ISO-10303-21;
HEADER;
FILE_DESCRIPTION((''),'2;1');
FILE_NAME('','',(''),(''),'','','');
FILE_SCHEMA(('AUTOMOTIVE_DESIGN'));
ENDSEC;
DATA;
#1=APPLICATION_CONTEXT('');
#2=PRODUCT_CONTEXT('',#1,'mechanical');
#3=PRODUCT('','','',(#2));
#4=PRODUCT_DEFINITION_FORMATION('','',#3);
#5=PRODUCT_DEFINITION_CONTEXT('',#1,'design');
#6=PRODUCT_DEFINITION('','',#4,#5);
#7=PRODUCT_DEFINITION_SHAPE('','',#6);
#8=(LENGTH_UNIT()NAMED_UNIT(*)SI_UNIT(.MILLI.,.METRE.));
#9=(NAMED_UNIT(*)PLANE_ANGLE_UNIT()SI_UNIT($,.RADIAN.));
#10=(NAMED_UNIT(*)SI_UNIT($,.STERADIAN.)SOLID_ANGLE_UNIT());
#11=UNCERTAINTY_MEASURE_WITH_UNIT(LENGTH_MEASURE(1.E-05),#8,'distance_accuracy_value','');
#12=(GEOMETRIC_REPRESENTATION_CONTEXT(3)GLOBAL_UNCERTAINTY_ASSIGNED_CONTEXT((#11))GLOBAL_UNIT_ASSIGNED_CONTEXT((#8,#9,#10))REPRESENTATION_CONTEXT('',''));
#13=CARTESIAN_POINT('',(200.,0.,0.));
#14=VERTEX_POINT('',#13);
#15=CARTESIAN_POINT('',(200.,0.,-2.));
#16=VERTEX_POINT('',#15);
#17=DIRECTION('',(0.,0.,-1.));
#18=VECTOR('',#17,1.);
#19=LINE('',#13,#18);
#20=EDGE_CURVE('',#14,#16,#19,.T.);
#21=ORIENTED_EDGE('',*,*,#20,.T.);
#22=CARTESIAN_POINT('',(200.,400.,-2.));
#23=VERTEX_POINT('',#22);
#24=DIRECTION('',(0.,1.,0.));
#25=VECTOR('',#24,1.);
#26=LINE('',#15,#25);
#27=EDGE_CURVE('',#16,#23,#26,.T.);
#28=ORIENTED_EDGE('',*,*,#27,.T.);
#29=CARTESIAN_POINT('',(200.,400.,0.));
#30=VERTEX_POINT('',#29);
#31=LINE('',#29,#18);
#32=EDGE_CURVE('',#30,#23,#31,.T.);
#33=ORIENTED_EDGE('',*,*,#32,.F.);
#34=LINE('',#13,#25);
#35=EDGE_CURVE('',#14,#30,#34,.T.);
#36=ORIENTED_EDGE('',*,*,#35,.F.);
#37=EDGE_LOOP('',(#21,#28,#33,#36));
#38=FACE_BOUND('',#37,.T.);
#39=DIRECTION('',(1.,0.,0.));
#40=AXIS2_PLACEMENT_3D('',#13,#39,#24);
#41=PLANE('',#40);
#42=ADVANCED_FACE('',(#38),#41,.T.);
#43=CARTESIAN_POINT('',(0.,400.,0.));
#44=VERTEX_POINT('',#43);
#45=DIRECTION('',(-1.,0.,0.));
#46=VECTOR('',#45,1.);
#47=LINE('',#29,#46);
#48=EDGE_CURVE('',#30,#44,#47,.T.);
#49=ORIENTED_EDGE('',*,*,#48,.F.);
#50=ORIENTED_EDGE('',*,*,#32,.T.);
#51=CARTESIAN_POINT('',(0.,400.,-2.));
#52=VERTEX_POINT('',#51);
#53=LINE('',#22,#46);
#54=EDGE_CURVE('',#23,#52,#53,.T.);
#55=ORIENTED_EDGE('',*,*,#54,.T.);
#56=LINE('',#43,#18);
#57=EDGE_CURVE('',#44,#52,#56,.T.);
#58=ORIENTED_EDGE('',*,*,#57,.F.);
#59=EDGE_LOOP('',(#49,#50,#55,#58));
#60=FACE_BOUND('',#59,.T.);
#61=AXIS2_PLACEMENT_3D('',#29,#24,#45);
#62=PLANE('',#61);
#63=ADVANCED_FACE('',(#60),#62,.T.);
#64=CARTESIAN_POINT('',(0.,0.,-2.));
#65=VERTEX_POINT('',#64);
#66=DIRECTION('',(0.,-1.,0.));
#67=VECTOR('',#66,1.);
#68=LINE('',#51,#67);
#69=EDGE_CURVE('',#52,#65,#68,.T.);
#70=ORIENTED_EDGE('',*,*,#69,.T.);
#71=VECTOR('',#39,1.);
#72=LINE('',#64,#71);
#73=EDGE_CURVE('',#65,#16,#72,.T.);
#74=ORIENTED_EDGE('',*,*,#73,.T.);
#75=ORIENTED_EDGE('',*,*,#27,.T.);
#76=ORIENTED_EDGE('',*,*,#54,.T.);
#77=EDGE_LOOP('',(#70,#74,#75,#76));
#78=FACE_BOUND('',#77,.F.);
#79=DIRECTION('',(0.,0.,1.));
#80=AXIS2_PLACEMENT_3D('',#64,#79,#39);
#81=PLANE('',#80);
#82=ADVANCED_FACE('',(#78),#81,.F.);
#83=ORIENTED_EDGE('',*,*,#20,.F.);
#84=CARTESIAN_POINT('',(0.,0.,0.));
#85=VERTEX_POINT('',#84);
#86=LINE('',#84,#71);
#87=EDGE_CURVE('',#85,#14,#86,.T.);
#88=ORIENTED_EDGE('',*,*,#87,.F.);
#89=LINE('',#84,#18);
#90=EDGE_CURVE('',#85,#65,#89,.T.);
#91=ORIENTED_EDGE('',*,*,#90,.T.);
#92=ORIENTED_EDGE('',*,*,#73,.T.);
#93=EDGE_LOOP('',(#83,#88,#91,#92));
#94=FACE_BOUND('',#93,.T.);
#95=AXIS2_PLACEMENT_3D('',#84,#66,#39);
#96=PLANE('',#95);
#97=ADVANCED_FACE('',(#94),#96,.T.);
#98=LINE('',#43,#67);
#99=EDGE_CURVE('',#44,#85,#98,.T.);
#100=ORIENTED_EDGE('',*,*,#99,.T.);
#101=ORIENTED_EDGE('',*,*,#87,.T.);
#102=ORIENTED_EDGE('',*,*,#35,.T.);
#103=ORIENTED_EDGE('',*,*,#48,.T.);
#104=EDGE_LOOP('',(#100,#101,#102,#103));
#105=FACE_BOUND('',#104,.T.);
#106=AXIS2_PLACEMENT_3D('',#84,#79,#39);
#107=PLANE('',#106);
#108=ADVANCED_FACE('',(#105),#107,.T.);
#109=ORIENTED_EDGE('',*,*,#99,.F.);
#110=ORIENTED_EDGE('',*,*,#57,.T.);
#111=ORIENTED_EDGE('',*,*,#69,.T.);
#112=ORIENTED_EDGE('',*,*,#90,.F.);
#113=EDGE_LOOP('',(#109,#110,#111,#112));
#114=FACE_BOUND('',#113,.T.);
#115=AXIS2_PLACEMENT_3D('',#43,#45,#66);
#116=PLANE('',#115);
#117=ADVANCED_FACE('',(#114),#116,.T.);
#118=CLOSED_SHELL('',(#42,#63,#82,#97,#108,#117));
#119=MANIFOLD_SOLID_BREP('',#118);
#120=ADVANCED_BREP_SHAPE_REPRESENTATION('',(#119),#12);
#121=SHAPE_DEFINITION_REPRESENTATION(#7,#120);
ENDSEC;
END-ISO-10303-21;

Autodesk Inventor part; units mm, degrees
ref_plane "YZ Plane" through (0, 0, 0) normal (1, 0, 0) x (0, 1, 0)
ref_plane "XZ Plane" through (0, 0, 0) normal (0, 1, 0) x (-1, 0, 0)
ref_plane "XY Plane" through (0, 0, 0) normal (0, 0, 1) x (1, 0, 0)
sketch "Sketch1" plane through (0, 0, 0) normal (0, 0, 1) x (1, 0, 0)
  line L0 (0, 0) -> (200, 0)
  line L1 (200, 0) -> (200, 400)
  line L2 (200, 400) -> (0, 400)
  line L3 (0, 400) -> (0, 0)
  dimension "d0" = 200
  dimension "d1" = 400
extrude "Extrusion1" add sketch "Sketch1" against normal blind 2
properties part number "groot plaat"
